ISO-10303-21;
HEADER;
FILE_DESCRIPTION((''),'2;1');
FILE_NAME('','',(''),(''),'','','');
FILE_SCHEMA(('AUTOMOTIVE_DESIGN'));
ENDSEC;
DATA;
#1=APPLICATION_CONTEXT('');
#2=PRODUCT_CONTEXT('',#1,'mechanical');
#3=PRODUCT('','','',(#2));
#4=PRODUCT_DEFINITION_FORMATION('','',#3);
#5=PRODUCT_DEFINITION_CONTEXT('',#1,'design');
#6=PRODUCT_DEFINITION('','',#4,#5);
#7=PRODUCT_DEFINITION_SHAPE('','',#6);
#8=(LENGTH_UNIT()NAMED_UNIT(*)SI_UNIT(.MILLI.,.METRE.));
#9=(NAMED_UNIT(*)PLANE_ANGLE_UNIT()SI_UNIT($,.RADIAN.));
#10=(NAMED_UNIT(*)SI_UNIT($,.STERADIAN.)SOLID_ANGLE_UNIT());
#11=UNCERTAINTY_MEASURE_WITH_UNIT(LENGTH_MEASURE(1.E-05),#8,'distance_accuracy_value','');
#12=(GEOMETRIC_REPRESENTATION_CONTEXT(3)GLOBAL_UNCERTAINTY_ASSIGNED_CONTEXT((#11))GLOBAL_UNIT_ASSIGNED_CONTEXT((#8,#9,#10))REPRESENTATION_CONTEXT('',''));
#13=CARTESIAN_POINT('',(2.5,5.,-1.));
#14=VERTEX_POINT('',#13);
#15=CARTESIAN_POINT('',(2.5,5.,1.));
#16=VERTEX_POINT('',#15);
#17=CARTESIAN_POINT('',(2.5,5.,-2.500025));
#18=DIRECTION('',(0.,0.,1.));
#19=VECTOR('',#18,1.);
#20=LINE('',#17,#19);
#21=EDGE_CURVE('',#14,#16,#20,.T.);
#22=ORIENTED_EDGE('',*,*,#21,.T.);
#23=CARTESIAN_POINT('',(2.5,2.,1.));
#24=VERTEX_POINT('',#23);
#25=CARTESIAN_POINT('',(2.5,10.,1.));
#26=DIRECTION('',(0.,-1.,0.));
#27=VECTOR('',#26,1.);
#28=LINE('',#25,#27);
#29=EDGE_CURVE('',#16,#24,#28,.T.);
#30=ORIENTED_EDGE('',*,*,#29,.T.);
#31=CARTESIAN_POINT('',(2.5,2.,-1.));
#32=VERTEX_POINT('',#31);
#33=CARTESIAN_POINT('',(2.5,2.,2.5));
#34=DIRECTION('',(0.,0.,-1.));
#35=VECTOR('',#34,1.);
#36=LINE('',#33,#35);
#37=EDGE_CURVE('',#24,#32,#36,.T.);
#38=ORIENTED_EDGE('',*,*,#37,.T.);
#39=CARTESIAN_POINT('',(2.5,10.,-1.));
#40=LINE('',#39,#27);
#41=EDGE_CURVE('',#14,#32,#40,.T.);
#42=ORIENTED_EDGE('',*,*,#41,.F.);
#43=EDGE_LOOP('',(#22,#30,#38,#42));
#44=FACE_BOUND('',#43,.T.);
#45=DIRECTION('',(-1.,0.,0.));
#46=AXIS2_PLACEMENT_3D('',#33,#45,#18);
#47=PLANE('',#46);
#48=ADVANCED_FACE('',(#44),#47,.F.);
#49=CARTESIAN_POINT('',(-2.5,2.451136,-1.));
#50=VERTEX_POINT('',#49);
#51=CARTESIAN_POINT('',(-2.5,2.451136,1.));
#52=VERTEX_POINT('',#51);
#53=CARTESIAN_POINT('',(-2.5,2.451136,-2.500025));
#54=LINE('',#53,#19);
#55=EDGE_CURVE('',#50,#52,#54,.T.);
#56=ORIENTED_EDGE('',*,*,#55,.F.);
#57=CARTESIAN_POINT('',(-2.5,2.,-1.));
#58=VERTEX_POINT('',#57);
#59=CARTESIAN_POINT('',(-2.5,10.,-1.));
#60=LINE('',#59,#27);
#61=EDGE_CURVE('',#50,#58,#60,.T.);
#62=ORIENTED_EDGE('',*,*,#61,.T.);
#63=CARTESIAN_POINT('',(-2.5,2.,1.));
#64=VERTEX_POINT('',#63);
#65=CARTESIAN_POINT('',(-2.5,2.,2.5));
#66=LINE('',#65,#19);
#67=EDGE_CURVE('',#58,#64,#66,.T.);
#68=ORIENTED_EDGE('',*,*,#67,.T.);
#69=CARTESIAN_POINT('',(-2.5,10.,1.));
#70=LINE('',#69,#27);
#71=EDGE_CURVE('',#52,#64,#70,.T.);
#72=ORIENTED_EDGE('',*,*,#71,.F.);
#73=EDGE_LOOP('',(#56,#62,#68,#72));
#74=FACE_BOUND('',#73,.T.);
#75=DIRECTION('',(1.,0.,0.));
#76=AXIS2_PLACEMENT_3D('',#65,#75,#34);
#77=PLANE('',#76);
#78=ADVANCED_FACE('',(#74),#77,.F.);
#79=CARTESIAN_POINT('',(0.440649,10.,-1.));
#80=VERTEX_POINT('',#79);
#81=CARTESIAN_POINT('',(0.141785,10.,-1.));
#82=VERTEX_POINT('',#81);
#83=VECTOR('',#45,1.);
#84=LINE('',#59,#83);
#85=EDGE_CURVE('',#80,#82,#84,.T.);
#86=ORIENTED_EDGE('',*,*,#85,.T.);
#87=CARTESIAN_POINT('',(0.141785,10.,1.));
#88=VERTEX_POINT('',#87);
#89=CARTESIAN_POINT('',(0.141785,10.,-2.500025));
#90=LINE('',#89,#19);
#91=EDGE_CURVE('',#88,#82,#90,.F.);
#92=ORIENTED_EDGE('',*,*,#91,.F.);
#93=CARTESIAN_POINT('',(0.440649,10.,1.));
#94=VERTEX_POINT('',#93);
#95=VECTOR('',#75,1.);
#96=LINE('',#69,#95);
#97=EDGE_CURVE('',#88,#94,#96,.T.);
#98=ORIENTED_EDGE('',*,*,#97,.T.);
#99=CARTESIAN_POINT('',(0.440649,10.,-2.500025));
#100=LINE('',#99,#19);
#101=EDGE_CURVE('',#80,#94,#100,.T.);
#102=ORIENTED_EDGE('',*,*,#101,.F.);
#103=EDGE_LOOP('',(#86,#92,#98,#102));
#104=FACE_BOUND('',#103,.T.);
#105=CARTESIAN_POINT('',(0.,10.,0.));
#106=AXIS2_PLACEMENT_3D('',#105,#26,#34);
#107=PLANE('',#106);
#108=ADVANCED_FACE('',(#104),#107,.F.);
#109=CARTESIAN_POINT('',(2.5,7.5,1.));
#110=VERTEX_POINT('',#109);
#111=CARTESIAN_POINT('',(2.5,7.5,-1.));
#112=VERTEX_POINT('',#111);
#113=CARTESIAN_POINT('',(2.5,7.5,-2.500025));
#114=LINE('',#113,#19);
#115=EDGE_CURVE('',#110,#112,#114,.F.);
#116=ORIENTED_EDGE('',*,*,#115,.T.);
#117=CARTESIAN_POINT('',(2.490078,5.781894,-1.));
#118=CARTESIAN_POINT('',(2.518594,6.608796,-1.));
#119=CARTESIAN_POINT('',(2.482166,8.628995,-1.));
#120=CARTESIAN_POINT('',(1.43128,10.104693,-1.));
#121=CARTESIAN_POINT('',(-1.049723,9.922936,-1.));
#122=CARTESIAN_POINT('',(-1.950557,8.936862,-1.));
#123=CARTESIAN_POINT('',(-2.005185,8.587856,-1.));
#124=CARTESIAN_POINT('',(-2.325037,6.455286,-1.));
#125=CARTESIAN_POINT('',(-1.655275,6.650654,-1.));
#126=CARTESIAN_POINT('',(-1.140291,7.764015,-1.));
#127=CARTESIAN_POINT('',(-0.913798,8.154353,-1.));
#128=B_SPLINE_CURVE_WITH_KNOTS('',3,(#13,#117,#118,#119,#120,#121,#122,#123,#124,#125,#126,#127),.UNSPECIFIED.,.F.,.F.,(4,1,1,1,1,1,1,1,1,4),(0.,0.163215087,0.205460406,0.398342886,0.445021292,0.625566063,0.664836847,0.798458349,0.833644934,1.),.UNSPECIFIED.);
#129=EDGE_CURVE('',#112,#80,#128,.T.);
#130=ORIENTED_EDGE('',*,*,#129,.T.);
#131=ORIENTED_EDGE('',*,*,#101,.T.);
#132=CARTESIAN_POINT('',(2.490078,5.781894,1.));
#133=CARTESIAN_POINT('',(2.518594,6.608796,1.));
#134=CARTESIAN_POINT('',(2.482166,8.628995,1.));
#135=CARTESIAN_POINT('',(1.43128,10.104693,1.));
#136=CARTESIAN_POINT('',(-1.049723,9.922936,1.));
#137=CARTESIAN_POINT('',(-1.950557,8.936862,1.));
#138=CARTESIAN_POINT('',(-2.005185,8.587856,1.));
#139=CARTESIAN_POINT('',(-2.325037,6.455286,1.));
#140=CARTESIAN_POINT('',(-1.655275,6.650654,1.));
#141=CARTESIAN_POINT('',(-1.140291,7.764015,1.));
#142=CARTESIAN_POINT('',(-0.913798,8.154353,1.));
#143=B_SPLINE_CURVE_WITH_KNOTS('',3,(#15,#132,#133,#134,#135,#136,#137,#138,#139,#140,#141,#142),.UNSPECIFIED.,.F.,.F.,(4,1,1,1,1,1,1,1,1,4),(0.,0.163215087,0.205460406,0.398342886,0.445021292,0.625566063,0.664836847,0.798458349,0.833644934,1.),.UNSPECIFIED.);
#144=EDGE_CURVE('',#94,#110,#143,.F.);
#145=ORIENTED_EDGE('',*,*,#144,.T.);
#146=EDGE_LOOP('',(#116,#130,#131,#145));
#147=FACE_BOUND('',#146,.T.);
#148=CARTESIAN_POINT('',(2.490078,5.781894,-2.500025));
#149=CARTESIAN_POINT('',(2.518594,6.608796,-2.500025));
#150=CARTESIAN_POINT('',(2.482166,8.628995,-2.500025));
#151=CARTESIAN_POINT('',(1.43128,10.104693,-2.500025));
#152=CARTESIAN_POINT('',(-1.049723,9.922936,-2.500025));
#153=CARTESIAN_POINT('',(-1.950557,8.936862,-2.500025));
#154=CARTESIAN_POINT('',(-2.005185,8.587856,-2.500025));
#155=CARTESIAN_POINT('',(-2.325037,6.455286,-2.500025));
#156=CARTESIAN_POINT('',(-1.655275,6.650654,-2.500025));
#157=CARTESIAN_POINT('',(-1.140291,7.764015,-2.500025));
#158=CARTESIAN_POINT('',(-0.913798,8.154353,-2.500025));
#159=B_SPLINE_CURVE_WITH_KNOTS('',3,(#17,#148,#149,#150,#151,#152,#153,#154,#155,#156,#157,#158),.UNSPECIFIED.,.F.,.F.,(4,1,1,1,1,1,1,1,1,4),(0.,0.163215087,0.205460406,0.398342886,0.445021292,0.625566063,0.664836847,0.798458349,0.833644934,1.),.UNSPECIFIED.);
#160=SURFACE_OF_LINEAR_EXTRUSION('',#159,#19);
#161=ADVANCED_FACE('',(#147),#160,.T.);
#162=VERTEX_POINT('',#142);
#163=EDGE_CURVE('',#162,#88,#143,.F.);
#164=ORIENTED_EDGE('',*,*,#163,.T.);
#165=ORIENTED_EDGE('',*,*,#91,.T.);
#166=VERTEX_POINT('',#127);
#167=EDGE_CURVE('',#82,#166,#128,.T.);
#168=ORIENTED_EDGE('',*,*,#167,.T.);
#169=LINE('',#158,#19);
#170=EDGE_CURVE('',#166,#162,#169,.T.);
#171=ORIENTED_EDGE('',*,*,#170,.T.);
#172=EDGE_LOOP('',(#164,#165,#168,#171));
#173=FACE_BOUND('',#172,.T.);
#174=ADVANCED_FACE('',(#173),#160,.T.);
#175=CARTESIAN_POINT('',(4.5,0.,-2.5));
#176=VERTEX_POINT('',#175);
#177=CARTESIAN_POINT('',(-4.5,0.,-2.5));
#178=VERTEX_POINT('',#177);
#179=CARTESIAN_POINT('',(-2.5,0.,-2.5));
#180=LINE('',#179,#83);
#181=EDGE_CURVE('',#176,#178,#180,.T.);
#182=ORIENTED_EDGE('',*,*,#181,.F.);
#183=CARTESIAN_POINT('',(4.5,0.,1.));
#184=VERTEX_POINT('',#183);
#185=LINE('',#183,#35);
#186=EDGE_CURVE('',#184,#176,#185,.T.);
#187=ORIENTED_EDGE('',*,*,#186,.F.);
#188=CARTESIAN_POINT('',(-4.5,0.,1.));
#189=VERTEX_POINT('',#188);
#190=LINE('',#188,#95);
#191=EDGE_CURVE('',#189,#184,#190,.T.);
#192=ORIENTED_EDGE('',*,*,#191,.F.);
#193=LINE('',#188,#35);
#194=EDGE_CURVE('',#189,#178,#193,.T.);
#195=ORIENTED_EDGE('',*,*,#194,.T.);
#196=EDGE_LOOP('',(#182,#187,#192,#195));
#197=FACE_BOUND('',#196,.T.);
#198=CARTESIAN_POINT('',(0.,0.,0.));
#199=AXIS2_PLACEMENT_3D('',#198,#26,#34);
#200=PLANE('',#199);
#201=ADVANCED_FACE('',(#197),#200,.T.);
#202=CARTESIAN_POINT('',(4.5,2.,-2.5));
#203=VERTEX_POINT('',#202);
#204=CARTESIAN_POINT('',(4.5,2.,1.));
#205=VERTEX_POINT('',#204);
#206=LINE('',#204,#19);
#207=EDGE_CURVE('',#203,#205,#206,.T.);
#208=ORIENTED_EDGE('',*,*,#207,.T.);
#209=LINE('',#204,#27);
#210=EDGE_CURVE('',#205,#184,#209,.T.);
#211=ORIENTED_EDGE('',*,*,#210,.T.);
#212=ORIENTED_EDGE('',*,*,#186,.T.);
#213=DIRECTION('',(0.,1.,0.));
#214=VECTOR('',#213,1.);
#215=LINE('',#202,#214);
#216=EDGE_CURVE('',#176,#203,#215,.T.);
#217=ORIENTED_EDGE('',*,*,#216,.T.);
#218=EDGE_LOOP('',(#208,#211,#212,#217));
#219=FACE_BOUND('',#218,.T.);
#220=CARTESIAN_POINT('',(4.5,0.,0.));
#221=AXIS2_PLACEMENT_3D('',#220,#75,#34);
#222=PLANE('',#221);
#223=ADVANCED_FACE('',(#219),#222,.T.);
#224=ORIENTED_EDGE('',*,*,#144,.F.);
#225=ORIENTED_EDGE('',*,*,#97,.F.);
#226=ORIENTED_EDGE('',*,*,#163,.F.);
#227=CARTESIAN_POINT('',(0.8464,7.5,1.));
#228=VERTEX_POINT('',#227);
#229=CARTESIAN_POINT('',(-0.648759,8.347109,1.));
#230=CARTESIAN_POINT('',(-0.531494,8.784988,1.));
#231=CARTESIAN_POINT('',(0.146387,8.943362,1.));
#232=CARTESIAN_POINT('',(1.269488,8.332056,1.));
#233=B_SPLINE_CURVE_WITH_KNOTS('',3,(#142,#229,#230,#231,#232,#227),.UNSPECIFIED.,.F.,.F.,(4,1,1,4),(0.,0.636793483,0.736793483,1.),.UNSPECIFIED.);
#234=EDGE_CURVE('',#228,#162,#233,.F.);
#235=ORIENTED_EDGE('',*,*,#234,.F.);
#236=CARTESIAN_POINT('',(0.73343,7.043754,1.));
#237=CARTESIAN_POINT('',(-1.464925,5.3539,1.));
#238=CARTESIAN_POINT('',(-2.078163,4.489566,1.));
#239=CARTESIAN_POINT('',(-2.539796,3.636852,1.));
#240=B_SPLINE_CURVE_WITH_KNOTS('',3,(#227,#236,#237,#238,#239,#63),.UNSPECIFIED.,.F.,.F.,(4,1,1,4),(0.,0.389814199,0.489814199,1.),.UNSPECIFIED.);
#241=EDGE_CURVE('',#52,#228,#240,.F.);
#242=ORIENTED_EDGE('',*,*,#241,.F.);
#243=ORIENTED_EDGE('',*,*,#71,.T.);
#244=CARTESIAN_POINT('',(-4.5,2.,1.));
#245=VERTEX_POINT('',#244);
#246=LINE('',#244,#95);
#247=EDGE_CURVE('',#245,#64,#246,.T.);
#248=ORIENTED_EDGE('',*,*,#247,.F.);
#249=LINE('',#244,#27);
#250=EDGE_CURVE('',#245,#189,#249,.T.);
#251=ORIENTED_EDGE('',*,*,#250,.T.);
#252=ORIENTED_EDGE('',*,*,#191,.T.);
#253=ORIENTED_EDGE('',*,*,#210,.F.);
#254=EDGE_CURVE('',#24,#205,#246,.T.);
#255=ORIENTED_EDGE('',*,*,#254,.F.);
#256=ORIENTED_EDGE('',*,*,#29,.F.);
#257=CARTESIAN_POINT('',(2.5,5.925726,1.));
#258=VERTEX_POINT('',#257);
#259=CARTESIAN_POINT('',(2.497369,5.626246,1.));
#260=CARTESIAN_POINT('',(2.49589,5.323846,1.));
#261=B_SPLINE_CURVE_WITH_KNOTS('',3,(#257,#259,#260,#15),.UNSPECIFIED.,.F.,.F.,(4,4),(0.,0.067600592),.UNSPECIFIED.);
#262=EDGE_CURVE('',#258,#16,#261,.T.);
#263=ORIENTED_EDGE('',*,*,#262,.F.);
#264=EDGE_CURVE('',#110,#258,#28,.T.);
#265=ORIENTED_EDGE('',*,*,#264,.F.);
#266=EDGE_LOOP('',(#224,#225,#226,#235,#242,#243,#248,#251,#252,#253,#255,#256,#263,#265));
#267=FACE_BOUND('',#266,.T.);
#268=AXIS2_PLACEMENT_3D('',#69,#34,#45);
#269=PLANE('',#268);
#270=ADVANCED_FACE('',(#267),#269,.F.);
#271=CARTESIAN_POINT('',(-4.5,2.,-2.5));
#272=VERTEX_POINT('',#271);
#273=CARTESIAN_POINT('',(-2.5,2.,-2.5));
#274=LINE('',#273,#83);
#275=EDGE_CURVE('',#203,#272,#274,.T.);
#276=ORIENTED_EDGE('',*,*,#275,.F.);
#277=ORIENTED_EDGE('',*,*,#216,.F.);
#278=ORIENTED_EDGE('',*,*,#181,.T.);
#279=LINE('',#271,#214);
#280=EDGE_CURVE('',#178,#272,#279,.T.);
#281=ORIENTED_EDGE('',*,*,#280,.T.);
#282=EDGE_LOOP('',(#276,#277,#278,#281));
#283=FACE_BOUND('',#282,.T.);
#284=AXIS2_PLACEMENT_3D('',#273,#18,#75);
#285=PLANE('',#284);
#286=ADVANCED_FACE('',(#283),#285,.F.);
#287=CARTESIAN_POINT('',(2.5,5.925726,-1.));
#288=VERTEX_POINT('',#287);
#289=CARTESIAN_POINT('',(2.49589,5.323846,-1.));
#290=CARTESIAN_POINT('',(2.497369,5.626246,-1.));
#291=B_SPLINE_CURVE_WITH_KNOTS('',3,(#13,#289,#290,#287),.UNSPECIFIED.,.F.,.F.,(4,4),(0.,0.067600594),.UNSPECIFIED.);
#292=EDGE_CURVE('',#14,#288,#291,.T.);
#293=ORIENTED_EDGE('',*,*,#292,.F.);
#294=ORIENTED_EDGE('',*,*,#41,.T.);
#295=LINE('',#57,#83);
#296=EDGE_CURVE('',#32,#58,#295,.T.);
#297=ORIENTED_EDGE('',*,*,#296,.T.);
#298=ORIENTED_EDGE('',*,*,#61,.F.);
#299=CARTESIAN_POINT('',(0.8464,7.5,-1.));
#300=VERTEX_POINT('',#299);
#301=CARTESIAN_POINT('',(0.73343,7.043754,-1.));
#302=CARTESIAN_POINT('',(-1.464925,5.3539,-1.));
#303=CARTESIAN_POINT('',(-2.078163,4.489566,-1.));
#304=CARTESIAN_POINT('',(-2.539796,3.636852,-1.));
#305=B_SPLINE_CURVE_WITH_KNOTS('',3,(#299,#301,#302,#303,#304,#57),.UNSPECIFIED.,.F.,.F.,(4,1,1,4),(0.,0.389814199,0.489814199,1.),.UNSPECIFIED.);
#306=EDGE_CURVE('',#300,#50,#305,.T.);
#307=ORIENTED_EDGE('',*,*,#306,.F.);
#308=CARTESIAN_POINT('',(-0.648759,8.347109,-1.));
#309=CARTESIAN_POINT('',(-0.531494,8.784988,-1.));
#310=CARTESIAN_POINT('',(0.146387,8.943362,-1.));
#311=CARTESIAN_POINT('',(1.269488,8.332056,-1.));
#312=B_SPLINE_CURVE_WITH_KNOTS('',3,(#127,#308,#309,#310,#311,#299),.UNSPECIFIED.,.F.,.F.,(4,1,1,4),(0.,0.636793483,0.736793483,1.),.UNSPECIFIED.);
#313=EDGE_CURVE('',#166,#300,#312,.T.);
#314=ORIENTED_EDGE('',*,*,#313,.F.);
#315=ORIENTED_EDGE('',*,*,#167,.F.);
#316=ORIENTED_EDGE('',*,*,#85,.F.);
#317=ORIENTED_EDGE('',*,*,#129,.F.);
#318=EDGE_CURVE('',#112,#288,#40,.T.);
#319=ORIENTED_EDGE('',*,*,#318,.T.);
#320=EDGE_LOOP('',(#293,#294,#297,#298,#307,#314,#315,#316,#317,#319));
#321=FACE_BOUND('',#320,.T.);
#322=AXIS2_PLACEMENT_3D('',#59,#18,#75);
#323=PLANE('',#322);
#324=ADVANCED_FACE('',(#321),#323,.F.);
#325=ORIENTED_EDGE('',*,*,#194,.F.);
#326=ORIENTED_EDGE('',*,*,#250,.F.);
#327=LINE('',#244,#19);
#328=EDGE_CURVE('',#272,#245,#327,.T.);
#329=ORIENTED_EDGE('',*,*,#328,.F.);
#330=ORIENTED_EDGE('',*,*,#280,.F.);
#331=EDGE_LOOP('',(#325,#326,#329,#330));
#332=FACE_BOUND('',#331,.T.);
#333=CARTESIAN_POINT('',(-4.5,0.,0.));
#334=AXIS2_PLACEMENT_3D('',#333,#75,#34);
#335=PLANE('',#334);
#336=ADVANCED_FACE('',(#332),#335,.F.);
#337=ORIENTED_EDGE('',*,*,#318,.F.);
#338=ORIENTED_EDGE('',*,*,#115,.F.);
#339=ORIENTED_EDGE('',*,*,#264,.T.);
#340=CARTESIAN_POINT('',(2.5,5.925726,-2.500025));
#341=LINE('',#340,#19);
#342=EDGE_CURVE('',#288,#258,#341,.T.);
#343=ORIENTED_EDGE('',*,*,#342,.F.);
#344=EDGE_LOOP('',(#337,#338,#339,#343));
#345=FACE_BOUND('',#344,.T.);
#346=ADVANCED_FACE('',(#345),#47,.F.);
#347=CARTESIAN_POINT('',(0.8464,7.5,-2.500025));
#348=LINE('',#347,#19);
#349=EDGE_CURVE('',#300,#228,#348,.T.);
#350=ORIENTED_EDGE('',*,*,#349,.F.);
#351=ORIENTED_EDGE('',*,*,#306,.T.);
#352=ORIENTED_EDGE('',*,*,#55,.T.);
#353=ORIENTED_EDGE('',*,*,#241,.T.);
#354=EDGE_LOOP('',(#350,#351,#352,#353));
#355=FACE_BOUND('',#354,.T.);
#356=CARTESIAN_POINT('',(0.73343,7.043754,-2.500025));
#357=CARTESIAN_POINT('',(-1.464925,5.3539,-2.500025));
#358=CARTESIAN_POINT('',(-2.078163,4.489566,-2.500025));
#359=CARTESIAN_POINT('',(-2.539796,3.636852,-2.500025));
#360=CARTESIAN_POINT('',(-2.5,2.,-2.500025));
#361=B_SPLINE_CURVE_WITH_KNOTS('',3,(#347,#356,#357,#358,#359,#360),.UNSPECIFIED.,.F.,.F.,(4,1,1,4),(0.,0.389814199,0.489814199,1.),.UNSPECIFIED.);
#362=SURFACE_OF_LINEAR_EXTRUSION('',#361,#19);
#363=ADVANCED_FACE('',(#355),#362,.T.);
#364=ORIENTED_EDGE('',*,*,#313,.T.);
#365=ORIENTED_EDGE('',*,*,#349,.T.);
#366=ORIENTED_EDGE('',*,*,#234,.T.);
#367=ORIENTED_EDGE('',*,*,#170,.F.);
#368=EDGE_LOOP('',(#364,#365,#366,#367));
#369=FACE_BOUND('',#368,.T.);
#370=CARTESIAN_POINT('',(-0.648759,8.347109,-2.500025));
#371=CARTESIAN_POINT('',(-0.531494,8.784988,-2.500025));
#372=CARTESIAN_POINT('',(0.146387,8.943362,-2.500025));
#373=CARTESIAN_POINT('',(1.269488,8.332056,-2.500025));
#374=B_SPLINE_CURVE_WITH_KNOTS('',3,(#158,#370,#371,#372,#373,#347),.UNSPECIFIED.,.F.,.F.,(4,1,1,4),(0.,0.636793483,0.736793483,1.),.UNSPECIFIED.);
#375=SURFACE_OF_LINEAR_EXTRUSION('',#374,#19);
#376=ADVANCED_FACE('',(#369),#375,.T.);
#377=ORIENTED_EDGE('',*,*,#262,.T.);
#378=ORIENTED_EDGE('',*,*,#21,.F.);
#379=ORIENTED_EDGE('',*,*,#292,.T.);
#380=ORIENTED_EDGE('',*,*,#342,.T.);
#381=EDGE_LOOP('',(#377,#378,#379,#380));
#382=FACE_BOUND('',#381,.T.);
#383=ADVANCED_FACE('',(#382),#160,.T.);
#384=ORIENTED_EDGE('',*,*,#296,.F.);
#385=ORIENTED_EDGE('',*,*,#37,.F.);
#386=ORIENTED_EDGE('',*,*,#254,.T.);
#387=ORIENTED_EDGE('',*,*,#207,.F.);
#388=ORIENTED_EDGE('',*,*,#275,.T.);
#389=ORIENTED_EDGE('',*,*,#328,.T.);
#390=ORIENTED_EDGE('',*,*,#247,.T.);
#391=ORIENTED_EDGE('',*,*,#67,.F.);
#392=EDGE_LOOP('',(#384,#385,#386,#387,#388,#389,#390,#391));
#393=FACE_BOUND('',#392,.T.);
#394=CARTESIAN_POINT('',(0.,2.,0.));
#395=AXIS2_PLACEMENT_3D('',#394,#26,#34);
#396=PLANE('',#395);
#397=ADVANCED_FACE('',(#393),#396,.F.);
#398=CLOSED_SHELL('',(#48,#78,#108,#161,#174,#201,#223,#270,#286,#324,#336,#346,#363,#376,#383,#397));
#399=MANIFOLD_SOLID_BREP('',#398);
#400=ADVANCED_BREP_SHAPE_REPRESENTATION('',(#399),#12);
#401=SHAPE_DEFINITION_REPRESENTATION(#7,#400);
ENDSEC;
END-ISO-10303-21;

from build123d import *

# Parameters (mm, degrees)
SKETCH1_W                = 5
SKETCH1_H                = 5
BOSS_EXTRUDE1_DEPTH      = 2
SKETCH2_W                = 5
SKETCH2_H                = 2
BOSS_EXTRUDE2_DEPTH      = 8
SKETCH3_OUTSIDE_W        = 9.45
SKETCH3_OUTSIDE_H        = 14.45
CUT_EXTRUDE2_DEPTH       = 2.5
CUT_EXTRUDE2_DEPTH_BACK  = 4.5
SKETCH4_W                = 3.5
SKETCH4_H                = 2
BOSS_EXTRUDE3_DEPTH      = 2
BOSS_EXTRUDE3_DEPTH_BACK = 7
SKETCH5_W                = 1.5
SKETCH5_H                = 2
CUT_EXTRUDE3_DEPTH       = 8


with BuildPart() as part:
    # Sketch1 → Boss-Extrude1 (new body)
    with BuildSketch(Plane(origin=(0, 0, 0), x_dir=(1, 0, 0), z_dir=(0, 1, 0))):
        Rectangle(SKETCH1_W, SKETCH1_H)
    extrude(amount=BOSS_EXTRUDE1_DEPTH)

    # Sketch2 → Boss-Extrude2 (add)
    with BuildSketch(Plane(origin=(0, 2, 0), x_dir=(1, 0, 0), z_dir=(0, 1, 0))):
        Rectangle(SKETCH2_W, SKETCH2_H)
    extrude(amount=BOSS_EXTRUDE2_DEPTH)

    # Sketch3 outside → Cut-Extrude2 (cut, two sides)
    with BuildSketch(Plane.XY.offset(1)) as cut_extrude2_sk:
        with Locations((0, 5)):
            Rectangle(SKETCH3_OUTSIDE_W, SKETCH3_OUTSIDE_H)
        with BuildLine():
            Line((-2.5, 2), (-2.5, 0))
            Line((-2.5, 0), (2.5, 0))
            Line((2.5, 0), (2.5, 5))
            add(Edge.make_bspline(
                [(-0.913797876, 8.154353357), (-1.140290702, 7.764014656), (-1.655275227, 6.650653781), (-2.325037112, 6.455286198), (-2.005184786, 8.587856331), (-1.950557279, 8.936862033), (-1.049722674, 9.922936438), (1.431279674, 10.104693489), (2.482165571, 8.628994664), (2.518593991, 6.608795973), (2.490077622, 5.781893624), (2.5, 5)],
                knots=[0, 0, 0, 0, 0.166355066, 0.201541651, 0.335163153, 0.374433937, 0.554978708, 0.601657114, 0.794539594, 0.836784913, 1, 1, 1, 1], degree=3))
            add(Edge.make_bspline(
                [(0.846399905, 7.5), (1.269487929, 8.332056459), (0.146387492, 8.943361743), (-0.531494104, 8.784988095), (-0.648759024, 8.347108886), (-0.913797876, 8.154353357)],
                knots=[0, 0, 0, 0, 0.263206517, 0.363206517, 1, 1, 1, 1], degree=3))
            add(Edge.make_bspline(
                [(-2.5, 2), (-2.539795839, 3.63685244), (-2.078163398, 4.489565773), (-1.464924659, 5.353900226), (0.733429791, 7.043753996), (0.846399905, 7.5)],
                knots=[0, 0, 0, 0, 0.510185801, 0.610185801, 1, 1, 1, 1], degree=3))
        make_face(mode=Mode.SUBTRACT)
    extrude(amount=CUT_EXTRUDE2_DEPTH, mode=Mode.SUBTRACT)
    extrude(cut_extrude2_sk.sketch, amount=-CUT_EXTRUDE2_DEPTH_BACK, mode=Mode.SUBTRACT)

    # Sketch4 → Boss-Extrude3 (add, two sides)
    with BuildSketch(Plane(origin=(2.5, 0, 0), x_dir=(0, 0, -1), z_dir=(1, 0, 0))) as boss_extrude3_sk:
        with Locations((0.75, 1)):
            Rectangle(SKETCH4_W, SKETCH4_H)
    extrude(amount=BOSS_EXTRUDE3_DEPTH)
    extrude(boss_extrude3_sk.sketch, amount=-BOSS_EXTRUDE3_DEPTH_BACK)

    # Sketch5 → Cut-Extrude3 (cut, through all)
    with BuildSketch(Plane(origin=(2.5, 0, 0), x_dir=(0, 0, -1), z_dir=(1, 0, 0))):
        with Locations((-1.75, 1)):
            Rectangle(SKETCH5_W, SKETCH5_H)
    extrude(amount=-CUT_EXTRUDE3_DEPTH, mode=Mode.SUBTRACT)


solid = part.part
